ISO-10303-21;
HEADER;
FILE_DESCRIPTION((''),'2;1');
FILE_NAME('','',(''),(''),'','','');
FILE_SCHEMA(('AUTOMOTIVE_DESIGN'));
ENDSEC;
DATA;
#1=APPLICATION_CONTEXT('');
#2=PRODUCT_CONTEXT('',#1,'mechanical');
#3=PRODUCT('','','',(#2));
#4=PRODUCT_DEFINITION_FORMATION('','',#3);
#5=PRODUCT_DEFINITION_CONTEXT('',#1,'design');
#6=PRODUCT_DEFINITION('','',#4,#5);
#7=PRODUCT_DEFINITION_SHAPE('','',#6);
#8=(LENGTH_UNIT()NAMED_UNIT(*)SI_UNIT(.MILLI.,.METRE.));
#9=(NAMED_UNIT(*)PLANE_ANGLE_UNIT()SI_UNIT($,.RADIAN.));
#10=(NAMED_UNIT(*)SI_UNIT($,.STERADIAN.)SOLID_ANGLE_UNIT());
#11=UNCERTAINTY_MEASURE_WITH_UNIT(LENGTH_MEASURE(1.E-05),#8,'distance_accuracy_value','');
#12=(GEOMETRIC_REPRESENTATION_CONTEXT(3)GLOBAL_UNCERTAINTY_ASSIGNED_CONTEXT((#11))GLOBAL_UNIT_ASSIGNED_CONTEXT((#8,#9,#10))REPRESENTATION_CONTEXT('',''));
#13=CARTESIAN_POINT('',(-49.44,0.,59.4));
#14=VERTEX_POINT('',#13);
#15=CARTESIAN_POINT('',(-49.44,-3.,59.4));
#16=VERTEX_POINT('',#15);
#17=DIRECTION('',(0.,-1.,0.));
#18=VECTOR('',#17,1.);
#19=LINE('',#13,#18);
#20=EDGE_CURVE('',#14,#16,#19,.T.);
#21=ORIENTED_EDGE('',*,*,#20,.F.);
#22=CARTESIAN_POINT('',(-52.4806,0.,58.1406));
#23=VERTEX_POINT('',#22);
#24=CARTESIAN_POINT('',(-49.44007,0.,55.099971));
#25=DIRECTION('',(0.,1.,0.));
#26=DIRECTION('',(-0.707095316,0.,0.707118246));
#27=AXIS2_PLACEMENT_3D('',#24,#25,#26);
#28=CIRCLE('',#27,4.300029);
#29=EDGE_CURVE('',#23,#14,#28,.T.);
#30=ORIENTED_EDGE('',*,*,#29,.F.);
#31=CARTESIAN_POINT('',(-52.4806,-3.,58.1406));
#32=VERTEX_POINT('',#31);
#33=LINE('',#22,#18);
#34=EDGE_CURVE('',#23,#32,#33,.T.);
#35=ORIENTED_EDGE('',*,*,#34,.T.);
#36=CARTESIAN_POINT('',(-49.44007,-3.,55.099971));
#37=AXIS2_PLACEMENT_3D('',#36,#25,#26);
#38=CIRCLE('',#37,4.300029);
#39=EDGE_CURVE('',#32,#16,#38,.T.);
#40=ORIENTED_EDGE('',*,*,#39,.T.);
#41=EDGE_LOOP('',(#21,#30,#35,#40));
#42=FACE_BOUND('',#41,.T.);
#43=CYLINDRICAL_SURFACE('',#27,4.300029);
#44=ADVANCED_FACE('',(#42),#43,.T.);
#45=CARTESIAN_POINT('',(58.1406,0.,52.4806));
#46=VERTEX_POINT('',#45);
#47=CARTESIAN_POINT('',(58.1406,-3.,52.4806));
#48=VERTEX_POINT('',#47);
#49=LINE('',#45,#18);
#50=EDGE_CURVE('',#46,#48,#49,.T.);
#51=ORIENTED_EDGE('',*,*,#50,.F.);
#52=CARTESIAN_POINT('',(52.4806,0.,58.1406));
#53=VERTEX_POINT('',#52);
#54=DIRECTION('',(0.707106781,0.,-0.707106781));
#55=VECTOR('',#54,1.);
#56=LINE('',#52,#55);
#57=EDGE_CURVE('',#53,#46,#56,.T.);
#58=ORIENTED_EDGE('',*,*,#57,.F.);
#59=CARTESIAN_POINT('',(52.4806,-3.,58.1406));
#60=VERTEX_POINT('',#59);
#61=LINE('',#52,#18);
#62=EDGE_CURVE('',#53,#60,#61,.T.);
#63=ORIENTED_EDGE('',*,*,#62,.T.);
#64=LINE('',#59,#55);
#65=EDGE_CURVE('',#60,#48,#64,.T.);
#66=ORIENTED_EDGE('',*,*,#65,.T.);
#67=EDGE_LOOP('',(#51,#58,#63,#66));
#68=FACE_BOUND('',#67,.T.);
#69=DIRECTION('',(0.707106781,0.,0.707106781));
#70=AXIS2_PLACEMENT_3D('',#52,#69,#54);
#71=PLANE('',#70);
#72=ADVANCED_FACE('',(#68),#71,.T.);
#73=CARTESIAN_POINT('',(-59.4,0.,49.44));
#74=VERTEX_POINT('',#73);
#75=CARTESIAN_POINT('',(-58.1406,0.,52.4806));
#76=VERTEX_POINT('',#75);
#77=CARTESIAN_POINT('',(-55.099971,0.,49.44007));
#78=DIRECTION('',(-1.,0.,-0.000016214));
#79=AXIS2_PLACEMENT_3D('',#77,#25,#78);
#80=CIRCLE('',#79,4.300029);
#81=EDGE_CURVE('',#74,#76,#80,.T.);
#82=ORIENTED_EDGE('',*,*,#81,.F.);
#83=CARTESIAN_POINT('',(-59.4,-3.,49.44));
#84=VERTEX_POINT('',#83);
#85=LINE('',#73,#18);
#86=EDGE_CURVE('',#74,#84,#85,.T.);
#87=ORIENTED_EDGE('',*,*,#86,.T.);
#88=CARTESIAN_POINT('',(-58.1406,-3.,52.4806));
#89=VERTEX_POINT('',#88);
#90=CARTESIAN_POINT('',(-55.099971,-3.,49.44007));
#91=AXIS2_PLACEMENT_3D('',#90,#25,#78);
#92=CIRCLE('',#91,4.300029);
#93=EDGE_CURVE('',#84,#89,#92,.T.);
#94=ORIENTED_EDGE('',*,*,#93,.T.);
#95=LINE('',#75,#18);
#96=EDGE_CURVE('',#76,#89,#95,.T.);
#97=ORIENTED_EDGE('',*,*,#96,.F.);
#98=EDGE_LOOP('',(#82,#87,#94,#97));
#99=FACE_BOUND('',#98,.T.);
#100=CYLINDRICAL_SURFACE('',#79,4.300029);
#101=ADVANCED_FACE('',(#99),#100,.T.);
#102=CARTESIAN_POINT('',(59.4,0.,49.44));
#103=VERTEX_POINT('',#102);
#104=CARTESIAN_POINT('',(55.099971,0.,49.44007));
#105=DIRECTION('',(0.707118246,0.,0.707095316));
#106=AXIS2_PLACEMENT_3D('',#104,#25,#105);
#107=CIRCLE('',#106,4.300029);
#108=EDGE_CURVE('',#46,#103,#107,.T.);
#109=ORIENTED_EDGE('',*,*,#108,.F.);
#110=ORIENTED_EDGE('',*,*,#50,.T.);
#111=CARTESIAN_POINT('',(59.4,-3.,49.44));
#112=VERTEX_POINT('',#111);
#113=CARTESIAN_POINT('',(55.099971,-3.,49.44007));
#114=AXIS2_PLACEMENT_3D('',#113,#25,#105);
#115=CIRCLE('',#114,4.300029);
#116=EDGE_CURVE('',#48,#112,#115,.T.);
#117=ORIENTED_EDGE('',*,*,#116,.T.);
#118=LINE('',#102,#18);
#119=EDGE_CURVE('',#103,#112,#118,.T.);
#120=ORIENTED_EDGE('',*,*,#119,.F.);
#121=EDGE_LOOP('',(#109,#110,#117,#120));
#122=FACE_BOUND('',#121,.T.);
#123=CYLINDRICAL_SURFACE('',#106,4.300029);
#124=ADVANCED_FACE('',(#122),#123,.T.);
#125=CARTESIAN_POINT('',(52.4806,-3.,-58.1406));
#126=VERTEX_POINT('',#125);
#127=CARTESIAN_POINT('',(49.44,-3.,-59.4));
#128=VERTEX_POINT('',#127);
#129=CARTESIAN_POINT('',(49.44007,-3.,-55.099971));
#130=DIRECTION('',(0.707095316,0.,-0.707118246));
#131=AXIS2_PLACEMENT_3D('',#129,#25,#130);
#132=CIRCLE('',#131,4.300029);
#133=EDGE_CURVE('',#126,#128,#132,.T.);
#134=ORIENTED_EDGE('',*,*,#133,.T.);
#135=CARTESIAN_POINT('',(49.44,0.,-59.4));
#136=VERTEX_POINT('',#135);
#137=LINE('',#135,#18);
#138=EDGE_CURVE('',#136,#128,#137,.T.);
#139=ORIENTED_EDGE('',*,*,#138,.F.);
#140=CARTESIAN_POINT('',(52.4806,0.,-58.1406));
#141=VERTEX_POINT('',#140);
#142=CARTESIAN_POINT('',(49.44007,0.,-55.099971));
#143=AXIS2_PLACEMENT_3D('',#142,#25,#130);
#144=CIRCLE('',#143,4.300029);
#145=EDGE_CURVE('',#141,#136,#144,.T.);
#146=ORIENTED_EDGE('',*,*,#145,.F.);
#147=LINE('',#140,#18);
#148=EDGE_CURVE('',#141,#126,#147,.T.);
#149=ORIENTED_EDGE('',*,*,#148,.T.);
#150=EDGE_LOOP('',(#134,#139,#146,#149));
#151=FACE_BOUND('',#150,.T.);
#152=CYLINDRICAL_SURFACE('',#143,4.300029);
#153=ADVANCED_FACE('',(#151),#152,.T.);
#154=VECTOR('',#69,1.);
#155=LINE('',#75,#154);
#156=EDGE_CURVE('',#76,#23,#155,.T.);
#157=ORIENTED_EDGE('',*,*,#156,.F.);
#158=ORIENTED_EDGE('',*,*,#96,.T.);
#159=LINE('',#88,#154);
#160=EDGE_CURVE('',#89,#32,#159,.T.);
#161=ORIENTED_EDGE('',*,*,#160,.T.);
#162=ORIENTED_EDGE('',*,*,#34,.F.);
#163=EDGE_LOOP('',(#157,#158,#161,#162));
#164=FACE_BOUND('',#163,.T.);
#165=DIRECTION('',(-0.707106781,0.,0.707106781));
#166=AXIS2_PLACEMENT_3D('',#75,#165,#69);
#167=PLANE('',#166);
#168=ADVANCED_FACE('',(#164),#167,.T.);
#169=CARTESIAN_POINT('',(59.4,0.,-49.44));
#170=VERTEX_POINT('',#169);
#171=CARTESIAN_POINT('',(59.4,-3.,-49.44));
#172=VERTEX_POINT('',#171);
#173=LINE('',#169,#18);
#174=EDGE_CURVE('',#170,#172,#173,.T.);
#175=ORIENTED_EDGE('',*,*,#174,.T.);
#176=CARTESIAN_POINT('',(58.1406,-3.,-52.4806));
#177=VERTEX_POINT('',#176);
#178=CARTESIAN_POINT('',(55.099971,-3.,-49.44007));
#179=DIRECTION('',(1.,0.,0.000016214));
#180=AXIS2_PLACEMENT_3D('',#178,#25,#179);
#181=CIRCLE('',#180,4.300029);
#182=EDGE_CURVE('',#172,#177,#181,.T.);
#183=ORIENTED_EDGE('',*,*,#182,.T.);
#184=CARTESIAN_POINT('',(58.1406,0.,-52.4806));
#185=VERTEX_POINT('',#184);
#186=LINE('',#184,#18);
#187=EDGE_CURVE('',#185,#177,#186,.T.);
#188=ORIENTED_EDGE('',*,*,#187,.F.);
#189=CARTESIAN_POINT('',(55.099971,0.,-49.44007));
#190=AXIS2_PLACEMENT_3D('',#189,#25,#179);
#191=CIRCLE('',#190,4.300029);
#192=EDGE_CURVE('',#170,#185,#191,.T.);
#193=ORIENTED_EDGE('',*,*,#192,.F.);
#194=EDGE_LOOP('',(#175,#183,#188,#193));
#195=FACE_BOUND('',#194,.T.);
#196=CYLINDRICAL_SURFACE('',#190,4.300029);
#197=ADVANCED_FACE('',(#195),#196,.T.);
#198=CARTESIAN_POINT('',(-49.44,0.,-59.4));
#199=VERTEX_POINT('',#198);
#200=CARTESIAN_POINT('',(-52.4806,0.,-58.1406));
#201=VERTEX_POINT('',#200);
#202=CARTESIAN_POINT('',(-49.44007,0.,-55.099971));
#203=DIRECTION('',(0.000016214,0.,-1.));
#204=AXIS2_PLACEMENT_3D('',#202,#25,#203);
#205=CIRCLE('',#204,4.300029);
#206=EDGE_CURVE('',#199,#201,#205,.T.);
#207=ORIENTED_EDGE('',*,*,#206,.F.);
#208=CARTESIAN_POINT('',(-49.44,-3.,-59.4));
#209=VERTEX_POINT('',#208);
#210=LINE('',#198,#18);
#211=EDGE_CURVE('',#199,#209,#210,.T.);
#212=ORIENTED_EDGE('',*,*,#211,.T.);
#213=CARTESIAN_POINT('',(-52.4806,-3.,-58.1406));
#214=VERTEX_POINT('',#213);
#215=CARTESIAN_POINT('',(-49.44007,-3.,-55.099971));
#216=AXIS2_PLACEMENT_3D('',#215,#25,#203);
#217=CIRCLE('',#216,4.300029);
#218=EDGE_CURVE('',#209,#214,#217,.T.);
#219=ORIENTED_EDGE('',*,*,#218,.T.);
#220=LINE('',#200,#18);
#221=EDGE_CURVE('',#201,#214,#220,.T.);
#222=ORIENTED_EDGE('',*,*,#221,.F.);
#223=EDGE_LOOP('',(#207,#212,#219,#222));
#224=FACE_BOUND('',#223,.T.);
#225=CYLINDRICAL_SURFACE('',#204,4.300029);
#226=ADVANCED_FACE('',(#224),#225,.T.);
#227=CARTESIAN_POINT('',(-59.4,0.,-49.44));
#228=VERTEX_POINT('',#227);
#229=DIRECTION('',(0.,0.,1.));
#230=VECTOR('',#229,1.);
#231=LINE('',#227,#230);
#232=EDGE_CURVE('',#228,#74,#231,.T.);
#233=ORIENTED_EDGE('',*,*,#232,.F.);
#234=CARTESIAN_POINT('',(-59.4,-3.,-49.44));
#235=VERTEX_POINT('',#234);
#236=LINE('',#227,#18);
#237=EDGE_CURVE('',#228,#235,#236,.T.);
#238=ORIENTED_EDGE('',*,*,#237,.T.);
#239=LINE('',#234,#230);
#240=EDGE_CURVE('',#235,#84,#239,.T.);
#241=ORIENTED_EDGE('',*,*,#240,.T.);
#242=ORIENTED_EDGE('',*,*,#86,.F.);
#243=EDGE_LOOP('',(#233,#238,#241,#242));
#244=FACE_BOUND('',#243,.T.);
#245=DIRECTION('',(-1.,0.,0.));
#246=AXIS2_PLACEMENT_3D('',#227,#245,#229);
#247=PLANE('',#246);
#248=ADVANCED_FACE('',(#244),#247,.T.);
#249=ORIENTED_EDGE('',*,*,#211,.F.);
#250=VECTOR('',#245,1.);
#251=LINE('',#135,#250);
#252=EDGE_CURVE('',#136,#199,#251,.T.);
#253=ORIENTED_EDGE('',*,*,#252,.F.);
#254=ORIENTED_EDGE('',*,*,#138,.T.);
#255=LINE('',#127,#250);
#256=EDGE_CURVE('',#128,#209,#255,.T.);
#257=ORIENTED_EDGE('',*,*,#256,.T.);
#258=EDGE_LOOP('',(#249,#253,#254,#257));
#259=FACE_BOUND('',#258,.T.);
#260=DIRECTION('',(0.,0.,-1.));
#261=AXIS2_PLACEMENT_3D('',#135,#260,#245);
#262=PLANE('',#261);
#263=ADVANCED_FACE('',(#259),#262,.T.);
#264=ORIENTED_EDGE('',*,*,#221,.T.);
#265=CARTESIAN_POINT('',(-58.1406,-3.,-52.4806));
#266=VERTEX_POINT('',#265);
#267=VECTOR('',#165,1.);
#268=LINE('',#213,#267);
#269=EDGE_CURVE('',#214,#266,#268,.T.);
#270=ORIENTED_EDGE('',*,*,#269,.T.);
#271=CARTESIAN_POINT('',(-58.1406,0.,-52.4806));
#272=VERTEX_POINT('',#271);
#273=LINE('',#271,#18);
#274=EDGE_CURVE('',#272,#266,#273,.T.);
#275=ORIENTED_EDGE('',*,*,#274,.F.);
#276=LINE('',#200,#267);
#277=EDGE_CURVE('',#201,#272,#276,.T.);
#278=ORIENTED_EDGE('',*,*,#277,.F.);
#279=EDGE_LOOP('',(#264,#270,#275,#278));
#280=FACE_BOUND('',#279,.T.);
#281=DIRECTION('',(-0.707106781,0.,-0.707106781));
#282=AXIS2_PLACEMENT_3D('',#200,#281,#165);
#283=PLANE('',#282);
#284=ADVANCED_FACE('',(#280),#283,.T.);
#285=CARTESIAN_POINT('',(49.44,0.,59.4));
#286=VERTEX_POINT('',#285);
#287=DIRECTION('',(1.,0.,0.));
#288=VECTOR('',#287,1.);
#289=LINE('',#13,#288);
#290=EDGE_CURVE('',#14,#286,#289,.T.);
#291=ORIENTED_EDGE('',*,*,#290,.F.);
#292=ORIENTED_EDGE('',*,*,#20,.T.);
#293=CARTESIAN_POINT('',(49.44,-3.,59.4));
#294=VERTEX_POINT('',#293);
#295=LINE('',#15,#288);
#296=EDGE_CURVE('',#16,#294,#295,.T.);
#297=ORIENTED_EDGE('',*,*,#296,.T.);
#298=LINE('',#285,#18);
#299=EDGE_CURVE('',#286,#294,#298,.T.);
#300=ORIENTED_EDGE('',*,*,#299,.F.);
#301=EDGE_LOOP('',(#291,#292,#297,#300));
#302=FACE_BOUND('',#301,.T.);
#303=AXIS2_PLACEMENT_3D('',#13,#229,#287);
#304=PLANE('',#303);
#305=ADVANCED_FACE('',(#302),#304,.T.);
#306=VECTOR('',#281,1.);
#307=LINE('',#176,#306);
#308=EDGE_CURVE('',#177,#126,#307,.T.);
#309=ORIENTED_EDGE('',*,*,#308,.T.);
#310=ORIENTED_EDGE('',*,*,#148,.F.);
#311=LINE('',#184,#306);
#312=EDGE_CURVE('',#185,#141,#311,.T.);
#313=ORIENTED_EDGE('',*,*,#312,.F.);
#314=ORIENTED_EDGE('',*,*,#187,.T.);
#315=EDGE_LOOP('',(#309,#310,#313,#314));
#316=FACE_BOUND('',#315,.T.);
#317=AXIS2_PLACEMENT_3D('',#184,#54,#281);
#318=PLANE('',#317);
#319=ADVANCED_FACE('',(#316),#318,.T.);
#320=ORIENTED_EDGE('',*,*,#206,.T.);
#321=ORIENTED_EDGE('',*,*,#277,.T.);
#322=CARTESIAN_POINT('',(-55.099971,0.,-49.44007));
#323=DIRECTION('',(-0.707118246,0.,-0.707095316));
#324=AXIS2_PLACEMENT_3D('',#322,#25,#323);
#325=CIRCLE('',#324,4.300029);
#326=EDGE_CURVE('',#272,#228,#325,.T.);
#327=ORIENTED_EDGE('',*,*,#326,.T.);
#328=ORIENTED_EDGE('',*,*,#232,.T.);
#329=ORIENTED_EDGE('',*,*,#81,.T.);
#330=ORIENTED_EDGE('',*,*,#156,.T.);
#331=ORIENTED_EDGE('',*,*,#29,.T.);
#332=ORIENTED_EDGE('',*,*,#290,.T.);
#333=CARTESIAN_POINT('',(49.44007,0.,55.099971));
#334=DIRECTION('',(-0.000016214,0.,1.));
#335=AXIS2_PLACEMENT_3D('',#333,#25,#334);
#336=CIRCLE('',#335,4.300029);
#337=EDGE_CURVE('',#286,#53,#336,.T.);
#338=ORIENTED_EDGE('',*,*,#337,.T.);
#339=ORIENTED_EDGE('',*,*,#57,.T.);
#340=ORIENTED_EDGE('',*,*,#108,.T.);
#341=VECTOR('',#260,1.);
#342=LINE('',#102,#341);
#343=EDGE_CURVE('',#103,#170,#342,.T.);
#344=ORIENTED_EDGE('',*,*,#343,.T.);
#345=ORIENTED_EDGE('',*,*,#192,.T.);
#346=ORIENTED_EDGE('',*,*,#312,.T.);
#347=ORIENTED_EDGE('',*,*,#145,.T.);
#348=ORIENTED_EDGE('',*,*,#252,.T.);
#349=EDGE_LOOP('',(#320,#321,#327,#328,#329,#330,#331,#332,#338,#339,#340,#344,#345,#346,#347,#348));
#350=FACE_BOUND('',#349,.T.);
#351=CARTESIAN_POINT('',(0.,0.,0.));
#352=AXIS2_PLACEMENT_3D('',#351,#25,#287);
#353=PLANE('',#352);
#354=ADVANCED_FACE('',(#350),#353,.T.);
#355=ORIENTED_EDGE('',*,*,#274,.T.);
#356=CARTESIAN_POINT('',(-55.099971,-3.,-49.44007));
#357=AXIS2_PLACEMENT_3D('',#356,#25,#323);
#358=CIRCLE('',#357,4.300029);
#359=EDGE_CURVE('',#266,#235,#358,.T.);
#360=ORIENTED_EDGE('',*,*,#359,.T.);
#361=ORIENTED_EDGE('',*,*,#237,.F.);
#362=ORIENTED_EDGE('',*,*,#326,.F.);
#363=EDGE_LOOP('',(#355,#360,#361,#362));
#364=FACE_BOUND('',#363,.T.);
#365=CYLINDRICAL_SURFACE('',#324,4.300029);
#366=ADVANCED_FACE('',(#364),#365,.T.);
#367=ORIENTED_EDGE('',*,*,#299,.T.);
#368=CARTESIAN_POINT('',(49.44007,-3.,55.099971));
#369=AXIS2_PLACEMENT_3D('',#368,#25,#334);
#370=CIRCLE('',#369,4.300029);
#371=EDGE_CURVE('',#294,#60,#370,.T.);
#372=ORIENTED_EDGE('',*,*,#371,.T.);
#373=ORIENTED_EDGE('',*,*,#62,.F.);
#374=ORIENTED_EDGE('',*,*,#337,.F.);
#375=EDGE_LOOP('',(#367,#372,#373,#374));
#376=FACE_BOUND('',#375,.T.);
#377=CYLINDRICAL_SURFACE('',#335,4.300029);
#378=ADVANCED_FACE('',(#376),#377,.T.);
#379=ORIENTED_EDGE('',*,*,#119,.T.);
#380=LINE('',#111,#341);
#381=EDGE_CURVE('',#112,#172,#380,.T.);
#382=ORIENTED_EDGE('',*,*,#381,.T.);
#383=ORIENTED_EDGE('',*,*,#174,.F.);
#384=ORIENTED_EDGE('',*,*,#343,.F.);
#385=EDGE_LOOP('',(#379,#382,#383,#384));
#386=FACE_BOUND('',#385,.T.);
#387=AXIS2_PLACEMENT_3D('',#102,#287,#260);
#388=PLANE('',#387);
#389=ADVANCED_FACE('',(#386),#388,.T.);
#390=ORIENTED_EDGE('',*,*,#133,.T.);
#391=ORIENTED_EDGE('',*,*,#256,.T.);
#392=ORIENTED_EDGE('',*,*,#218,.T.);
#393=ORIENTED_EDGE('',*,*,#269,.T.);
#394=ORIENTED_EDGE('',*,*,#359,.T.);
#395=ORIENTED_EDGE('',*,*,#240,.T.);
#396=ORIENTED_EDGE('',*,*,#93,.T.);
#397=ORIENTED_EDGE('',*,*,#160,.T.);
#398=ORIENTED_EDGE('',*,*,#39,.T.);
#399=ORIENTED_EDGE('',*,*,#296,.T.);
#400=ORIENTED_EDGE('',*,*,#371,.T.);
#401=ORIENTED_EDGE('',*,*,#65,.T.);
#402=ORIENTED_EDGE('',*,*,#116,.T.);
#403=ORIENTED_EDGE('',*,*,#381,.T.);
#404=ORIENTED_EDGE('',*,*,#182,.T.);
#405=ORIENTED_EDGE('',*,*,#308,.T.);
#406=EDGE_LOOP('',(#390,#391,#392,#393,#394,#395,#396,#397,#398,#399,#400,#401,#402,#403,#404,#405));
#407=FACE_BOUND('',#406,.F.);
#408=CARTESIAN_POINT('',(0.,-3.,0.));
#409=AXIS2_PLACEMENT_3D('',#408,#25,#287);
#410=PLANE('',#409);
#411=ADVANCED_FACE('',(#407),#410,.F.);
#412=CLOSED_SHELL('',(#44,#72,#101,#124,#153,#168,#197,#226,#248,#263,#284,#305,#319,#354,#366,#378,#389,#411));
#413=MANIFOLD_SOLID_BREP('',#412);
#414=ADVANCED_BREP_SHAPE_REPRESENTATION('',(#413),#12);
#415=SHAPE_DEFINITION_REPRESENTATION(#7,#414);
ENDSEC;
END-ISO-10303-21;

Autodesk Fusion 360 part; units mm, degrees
sketch "Sketch1" plane through (0, 0, 0) normal (0, 1, 0) x (1, 0, 0)
  line L0 (57.9284, 52.2684) -> (52.2684, 57.9284)
  arc A0 (52.2684, 57.9284) -> (49.44, 59.1) centre (49.44, 55.1) ccw
  line L1 (49.44, 59.1) -> (-49.44, 59.1)
  arc A1 (-49.44, 59.1) -> (-52.2684, 57.9284) centre (-49.44, 55.1) ccw
  line L2 (-52.2684, 57.9284) -> (-57.9284, 52.2684)
  arc A2 (-57.9284, 52.2684) -> (-59.1, 49.44) centre (-55.1, 49.44) ccw
  line L3 (-59.1, 49.44) -> (-59.1, -49.44)
  arc A3 (-59.1, -49.44) -> (-57.9284, -52.2684) centre (-55.1, -49.44) ccw
  line L4 (-57.9284, -52.2684) -> (-52.2684, -57.9284)
  arc A4 (-52.2684, -57.9284) -> (-49.44, -59.1) centre (-49.44, -55.1) ccw
  line L5 (-49.44, -59.1) -> (49.44, -59.1)
  arc A5 (49.44, -59.1) -> (52.2684, -57.9284) centre (49.44, -55.1) ccw
  line L6 (52.2684, -57.9284) -> (57.9284, -52.2684)
  arc A6 (57.9284, -52.2684) -> (59.1, -49.44) centre (55.1, -49.44) ccw
  line L7 (59.1, -49.44) -> (59.1, 49.44)
  arc A7 (59.1, 49.44) -> (57.9284, 52.2684) centre (55.1, 49.44) ccw
  line L8 (-57.2213, -51.5613) -> (-51.5613, -57.2213)
  arc A8 (-51.5613, -57.2213) -> (-49.44, -58.1) centre (-49.44, -55.1) ccw
  line L9 (-49.44, -58.1) -> (49.44, -58.1)
  arc A9 (49.44, -58.1) -> (51.5613, -57.2213) centre (49.44, -55.1) ccw
  line L10 (51.5613, -57.2213) -> (57.2213, -51.5613)
  arc A10 (57.2213, -51.5613) -> (58.1, -49.44) centre (55.1, -49.44) ccw
  line L11 (58.1, -49.44) -> (58.1, 49.44)
  arc A11 (58.1, 49.44) -> (57.2213, 51.5613) centre (55.1, 49.44) ccw
  line L12 (57.2213, 51.5613) -> (51.5613, 57.2213)
  arc A12 (51.5613, 57.2213) -> (49.44, 58.1) centre (49.44, 55.1) ccw
  line L13 (49.44, 58.1) -> (-49.44, 58.1)
  arc A13 (-49.44, 58.1) -> (-51.5613, 57.2213) centre (-49.44, 55.1) ccw
  line L14 (-51.5613, 57.2213) -> (-57.2213, 51.5613)
  arc A14 (-57.2213, 51.5613) -> (-58.1, 49.44) centre (-55.1, 49.44) ccw
  line L15 (-58.1, 49.44) -> (-58.1, -49.44)
  arc A15 (-58.1, -49.44) -> (-57.2213, -51.5613) centre (-55.1, -49.44) ccw
  line L16 (-59.1, 35) -> (59.1, 35)
  line L17 (59.1, 35) -> (59.1, 25)
  line L18 (59.1, 25) -> (-59.1, 25)
  line L19 (-59.1, 25) -> (-59.1, 35)
  line L20 (-59.1, -25) -> (59.1, -25)
  line L21 (59.1, -25) -> (59.1, -35)
  line L22 (59.1, -35) -> (-59.1, -35)
  line L23 (-59.1, -35) -> (-59.1, -25)
  line L24 (-35, 59.1) -> (-25, 59.1)
  line L25 (-25, 59.1) -> (-25, -59.1)
  line L26 (-25, -59.1) -> (-35, -59.1)
  line L27 (-35, -59.1) -> (-35, 59.1)
  line L28 (25, 59.1) -> (35, 59.1)
  line L29 (35, 59.1) -> (35, -59.1)
  line L30 (35, -59.1) -> (25, -59.1)
  line L31 (25, -59.1) -> (25, 59.1)
  line L32 (58.777, 53.117) -> (53.117, 58.777)
  arc A16 (53.117, 58.777) -> (49.44, 60.3) centre (49.44, 55.1) ccw
  line L33 (49.44, 60.3) -> (-49.44, 60.3)
  arc A17 (-49.44, 60.3) -> (-53.117, 58.777) centre (-49.44, 55.1) ccw
  line L34 (-53.117, 58.777) -> (-58.777, 53.117)
  arc A18 (-58.777, 53.117) -> (-60.3, 49.44) centre (-55.1, 49.44) ccw
  line L35 (-60.3, 49.44) -> (-60.3, -49.44)
  arc A19 (-60.3, -49.44) -> (-58.777, -53.117) centre (-55.1, -49.44) ccw
  line L36 (-58.777, -53.117) -> (-53.117, -58.777)
  arc A20 (-53.117, -58.777) -> (-49.44, -60.3) centre (-49.44, -55.1) ccw
  line L37 (-49.44, -60.3) -> (49.44, -60.3)
  arc A21 (49.44, -60.3) -> (53.117, -58.777) centre (49.44, -55.1) ccw
  line L38 (53.117, -58.777) -> (58.777, -53.117)
  arc A22 (58.777, -53.117) -> (60.3, -49.44) centre (55.1, -49.44) ccw
  line L39 (60.3, -49.44) -> (60.3, 49.44)
  arc A23 (60.3, 49.44) -> (58.777, 53.117) centre (55.1, 49.44) ccw
  line L40 (58.1406, 52.4806) -> (52.4806, 58.1406)
  arc A24 (52.4806, 58.1406) -> (49.44, 59.4) centre (49.44, 55.1) ccw
  line L41 (49.44, 59.4) -> (-49.44, 59.4)
  arc A25 (-49.44, 59.4) -> (-52.4806, 58.1406) centre (-49.44, 55.1) ccw
  line L42 (-52.4806, 58.1406) -> (-58.1406, 52.4806)
  arc A26 (-58.1406, 52.4806) -> (-59.4, 49.44) centre (-55.1, 49.44) ccw
  line L43 (-59.4, 49.44) -> (-59.4, -49.44)
  arc A27 (-59.4, -49.44) -> (-58.1406, -52.4806) centre (-55.1, -49.44) ccw
  line L44 (-58.1406, -52.4806) -> (-52.4806, -58.1406)
  arc A28 (-52.4806, -58.1406) -> (-49.44, -59.4) centre (-49.44, -55.1) ccw
  line L45 (-49.44, -59.4) -> (49.44, -59.4)
  arc A29 (49.44, -59.4) -> (52.4806, -58.1406) centre (49.44, -55.1) ccw
  line L46 (52.4806, -58.1406) -> (58.1406, -52.4806)
  arc A30 (58.1406, -52.4806) -> (59.4, -49.44) centre (55.1, -49.44) ccw
  line L47 (59.4, -49.44) -> (59.4, 49.44)
  arc A31 (59.4, 49.44) -> (58.1406, 52.4806) centre (55.1, 49.44) ccw
  dimension "d27" = 118.2
  dimension "d28" = 118.2
  dimension "d29" = 59.1
  dimension "d30" = 59.1
  dimension "d31" = 4
  dimension "d32" = 4
  dimension "d33" = 4
  dimension "d34" = 4
  dimension "d35" = 9.66
  dimension "d36" = 9.66
  dimension "d37" = 9.66
  dimension "d38" = 9.66
  dimension "d39" = 4
  dimension "d40" = 4
  dimension "d41" = 4
  dimension "d42" = 4
  dimension "d43" = 9.66
  dimension "d44" = 9.66
  dimension "d45" = 9.66
  dimension "d46" = 9.66
  dimension "d47" = -1
  dimension "d48" = 50
  dimension "d49" = 25
  dimension "d50" = 10
  dimension "d51" = 10
  dimension "d52" = 50
  dimension "d53" = 10
  dimension "d54" = 10
  dimension "d55" = 25
  dimension "d59" = 1.2
  dimension "d60" = 120.6
  dimension "d61" = 0.3
extrude "Extrude1" add sketch "Sketch1" against normal blind 3 contours L0 A0 L1 L7 A7 L11 A11 L12 A12 L13 L16 L29 | L7 L11 L16 L17 L18 | L1 L13 L28 L29 L31 | L7 L11 L18 L20 | L11 A11 L12 A12 L13 L16 L29 | L11 L16 L18 L29 | L1 L13 L25 L31 | L13 L16 L29 L31 | L7 L11 L20 L21 L22 | L11 L18 L20 L29 | L16 L18 L29 L31 | L1 L13 L24 L25 L27 | L13 L16 L25 L31 | L5 A5 L6 A6 L7 L9 A9 L10 A10 L11 L22 L29 | L11 L20 L22 L29 | L18 L20 L29 L31 | L16 L18 L25 L31 | L1 A1 L2 A2 L3 L13 A13 L14 A14 L15 L16 L27 | L13 L16 L25 L27 | L9 A9 L10 A10 L11 L22 L29 | L20 L22 L29 L31 | L18 L20 L25 L31 | L16 L18 L25 L27 | L13 A13 L14 A14 L15 L16 L27 | L9 L22 L29 L31 | L20 L22 L25 L31 | L18 L20 L25 L27 | L15 L16 L18 L27 | L9 L22 L25 L31 | L5 L9 L29 L30 L31 | L20 L22 L25 L27 | L15 L18 L20 L27 | L3 L15 L16 L18 L19 | L9 L22 L25 L27 | L5 L9 L25 L31 | L15 L20 L22 L27 | L3 L15 L18 L20 | L8 A8 L9 L15 A15 L22 L27 | L5 L9 L25 L26 L27 | L3 L15 L20 L22 L23 | L3 A3 L4 A4 L5 L8 A8 L9 L15 A15 L22 L27 | L40 A24 L41 A25 L42 A26 L43 A27 L44 A28 L45 A29 L46 A30 L47 A31
equation "d29 = d28 / 2"
equation "d30 = d27 / 2"
equation "d49 = d48 / 2"
equation "d55 = d52 / 2"
